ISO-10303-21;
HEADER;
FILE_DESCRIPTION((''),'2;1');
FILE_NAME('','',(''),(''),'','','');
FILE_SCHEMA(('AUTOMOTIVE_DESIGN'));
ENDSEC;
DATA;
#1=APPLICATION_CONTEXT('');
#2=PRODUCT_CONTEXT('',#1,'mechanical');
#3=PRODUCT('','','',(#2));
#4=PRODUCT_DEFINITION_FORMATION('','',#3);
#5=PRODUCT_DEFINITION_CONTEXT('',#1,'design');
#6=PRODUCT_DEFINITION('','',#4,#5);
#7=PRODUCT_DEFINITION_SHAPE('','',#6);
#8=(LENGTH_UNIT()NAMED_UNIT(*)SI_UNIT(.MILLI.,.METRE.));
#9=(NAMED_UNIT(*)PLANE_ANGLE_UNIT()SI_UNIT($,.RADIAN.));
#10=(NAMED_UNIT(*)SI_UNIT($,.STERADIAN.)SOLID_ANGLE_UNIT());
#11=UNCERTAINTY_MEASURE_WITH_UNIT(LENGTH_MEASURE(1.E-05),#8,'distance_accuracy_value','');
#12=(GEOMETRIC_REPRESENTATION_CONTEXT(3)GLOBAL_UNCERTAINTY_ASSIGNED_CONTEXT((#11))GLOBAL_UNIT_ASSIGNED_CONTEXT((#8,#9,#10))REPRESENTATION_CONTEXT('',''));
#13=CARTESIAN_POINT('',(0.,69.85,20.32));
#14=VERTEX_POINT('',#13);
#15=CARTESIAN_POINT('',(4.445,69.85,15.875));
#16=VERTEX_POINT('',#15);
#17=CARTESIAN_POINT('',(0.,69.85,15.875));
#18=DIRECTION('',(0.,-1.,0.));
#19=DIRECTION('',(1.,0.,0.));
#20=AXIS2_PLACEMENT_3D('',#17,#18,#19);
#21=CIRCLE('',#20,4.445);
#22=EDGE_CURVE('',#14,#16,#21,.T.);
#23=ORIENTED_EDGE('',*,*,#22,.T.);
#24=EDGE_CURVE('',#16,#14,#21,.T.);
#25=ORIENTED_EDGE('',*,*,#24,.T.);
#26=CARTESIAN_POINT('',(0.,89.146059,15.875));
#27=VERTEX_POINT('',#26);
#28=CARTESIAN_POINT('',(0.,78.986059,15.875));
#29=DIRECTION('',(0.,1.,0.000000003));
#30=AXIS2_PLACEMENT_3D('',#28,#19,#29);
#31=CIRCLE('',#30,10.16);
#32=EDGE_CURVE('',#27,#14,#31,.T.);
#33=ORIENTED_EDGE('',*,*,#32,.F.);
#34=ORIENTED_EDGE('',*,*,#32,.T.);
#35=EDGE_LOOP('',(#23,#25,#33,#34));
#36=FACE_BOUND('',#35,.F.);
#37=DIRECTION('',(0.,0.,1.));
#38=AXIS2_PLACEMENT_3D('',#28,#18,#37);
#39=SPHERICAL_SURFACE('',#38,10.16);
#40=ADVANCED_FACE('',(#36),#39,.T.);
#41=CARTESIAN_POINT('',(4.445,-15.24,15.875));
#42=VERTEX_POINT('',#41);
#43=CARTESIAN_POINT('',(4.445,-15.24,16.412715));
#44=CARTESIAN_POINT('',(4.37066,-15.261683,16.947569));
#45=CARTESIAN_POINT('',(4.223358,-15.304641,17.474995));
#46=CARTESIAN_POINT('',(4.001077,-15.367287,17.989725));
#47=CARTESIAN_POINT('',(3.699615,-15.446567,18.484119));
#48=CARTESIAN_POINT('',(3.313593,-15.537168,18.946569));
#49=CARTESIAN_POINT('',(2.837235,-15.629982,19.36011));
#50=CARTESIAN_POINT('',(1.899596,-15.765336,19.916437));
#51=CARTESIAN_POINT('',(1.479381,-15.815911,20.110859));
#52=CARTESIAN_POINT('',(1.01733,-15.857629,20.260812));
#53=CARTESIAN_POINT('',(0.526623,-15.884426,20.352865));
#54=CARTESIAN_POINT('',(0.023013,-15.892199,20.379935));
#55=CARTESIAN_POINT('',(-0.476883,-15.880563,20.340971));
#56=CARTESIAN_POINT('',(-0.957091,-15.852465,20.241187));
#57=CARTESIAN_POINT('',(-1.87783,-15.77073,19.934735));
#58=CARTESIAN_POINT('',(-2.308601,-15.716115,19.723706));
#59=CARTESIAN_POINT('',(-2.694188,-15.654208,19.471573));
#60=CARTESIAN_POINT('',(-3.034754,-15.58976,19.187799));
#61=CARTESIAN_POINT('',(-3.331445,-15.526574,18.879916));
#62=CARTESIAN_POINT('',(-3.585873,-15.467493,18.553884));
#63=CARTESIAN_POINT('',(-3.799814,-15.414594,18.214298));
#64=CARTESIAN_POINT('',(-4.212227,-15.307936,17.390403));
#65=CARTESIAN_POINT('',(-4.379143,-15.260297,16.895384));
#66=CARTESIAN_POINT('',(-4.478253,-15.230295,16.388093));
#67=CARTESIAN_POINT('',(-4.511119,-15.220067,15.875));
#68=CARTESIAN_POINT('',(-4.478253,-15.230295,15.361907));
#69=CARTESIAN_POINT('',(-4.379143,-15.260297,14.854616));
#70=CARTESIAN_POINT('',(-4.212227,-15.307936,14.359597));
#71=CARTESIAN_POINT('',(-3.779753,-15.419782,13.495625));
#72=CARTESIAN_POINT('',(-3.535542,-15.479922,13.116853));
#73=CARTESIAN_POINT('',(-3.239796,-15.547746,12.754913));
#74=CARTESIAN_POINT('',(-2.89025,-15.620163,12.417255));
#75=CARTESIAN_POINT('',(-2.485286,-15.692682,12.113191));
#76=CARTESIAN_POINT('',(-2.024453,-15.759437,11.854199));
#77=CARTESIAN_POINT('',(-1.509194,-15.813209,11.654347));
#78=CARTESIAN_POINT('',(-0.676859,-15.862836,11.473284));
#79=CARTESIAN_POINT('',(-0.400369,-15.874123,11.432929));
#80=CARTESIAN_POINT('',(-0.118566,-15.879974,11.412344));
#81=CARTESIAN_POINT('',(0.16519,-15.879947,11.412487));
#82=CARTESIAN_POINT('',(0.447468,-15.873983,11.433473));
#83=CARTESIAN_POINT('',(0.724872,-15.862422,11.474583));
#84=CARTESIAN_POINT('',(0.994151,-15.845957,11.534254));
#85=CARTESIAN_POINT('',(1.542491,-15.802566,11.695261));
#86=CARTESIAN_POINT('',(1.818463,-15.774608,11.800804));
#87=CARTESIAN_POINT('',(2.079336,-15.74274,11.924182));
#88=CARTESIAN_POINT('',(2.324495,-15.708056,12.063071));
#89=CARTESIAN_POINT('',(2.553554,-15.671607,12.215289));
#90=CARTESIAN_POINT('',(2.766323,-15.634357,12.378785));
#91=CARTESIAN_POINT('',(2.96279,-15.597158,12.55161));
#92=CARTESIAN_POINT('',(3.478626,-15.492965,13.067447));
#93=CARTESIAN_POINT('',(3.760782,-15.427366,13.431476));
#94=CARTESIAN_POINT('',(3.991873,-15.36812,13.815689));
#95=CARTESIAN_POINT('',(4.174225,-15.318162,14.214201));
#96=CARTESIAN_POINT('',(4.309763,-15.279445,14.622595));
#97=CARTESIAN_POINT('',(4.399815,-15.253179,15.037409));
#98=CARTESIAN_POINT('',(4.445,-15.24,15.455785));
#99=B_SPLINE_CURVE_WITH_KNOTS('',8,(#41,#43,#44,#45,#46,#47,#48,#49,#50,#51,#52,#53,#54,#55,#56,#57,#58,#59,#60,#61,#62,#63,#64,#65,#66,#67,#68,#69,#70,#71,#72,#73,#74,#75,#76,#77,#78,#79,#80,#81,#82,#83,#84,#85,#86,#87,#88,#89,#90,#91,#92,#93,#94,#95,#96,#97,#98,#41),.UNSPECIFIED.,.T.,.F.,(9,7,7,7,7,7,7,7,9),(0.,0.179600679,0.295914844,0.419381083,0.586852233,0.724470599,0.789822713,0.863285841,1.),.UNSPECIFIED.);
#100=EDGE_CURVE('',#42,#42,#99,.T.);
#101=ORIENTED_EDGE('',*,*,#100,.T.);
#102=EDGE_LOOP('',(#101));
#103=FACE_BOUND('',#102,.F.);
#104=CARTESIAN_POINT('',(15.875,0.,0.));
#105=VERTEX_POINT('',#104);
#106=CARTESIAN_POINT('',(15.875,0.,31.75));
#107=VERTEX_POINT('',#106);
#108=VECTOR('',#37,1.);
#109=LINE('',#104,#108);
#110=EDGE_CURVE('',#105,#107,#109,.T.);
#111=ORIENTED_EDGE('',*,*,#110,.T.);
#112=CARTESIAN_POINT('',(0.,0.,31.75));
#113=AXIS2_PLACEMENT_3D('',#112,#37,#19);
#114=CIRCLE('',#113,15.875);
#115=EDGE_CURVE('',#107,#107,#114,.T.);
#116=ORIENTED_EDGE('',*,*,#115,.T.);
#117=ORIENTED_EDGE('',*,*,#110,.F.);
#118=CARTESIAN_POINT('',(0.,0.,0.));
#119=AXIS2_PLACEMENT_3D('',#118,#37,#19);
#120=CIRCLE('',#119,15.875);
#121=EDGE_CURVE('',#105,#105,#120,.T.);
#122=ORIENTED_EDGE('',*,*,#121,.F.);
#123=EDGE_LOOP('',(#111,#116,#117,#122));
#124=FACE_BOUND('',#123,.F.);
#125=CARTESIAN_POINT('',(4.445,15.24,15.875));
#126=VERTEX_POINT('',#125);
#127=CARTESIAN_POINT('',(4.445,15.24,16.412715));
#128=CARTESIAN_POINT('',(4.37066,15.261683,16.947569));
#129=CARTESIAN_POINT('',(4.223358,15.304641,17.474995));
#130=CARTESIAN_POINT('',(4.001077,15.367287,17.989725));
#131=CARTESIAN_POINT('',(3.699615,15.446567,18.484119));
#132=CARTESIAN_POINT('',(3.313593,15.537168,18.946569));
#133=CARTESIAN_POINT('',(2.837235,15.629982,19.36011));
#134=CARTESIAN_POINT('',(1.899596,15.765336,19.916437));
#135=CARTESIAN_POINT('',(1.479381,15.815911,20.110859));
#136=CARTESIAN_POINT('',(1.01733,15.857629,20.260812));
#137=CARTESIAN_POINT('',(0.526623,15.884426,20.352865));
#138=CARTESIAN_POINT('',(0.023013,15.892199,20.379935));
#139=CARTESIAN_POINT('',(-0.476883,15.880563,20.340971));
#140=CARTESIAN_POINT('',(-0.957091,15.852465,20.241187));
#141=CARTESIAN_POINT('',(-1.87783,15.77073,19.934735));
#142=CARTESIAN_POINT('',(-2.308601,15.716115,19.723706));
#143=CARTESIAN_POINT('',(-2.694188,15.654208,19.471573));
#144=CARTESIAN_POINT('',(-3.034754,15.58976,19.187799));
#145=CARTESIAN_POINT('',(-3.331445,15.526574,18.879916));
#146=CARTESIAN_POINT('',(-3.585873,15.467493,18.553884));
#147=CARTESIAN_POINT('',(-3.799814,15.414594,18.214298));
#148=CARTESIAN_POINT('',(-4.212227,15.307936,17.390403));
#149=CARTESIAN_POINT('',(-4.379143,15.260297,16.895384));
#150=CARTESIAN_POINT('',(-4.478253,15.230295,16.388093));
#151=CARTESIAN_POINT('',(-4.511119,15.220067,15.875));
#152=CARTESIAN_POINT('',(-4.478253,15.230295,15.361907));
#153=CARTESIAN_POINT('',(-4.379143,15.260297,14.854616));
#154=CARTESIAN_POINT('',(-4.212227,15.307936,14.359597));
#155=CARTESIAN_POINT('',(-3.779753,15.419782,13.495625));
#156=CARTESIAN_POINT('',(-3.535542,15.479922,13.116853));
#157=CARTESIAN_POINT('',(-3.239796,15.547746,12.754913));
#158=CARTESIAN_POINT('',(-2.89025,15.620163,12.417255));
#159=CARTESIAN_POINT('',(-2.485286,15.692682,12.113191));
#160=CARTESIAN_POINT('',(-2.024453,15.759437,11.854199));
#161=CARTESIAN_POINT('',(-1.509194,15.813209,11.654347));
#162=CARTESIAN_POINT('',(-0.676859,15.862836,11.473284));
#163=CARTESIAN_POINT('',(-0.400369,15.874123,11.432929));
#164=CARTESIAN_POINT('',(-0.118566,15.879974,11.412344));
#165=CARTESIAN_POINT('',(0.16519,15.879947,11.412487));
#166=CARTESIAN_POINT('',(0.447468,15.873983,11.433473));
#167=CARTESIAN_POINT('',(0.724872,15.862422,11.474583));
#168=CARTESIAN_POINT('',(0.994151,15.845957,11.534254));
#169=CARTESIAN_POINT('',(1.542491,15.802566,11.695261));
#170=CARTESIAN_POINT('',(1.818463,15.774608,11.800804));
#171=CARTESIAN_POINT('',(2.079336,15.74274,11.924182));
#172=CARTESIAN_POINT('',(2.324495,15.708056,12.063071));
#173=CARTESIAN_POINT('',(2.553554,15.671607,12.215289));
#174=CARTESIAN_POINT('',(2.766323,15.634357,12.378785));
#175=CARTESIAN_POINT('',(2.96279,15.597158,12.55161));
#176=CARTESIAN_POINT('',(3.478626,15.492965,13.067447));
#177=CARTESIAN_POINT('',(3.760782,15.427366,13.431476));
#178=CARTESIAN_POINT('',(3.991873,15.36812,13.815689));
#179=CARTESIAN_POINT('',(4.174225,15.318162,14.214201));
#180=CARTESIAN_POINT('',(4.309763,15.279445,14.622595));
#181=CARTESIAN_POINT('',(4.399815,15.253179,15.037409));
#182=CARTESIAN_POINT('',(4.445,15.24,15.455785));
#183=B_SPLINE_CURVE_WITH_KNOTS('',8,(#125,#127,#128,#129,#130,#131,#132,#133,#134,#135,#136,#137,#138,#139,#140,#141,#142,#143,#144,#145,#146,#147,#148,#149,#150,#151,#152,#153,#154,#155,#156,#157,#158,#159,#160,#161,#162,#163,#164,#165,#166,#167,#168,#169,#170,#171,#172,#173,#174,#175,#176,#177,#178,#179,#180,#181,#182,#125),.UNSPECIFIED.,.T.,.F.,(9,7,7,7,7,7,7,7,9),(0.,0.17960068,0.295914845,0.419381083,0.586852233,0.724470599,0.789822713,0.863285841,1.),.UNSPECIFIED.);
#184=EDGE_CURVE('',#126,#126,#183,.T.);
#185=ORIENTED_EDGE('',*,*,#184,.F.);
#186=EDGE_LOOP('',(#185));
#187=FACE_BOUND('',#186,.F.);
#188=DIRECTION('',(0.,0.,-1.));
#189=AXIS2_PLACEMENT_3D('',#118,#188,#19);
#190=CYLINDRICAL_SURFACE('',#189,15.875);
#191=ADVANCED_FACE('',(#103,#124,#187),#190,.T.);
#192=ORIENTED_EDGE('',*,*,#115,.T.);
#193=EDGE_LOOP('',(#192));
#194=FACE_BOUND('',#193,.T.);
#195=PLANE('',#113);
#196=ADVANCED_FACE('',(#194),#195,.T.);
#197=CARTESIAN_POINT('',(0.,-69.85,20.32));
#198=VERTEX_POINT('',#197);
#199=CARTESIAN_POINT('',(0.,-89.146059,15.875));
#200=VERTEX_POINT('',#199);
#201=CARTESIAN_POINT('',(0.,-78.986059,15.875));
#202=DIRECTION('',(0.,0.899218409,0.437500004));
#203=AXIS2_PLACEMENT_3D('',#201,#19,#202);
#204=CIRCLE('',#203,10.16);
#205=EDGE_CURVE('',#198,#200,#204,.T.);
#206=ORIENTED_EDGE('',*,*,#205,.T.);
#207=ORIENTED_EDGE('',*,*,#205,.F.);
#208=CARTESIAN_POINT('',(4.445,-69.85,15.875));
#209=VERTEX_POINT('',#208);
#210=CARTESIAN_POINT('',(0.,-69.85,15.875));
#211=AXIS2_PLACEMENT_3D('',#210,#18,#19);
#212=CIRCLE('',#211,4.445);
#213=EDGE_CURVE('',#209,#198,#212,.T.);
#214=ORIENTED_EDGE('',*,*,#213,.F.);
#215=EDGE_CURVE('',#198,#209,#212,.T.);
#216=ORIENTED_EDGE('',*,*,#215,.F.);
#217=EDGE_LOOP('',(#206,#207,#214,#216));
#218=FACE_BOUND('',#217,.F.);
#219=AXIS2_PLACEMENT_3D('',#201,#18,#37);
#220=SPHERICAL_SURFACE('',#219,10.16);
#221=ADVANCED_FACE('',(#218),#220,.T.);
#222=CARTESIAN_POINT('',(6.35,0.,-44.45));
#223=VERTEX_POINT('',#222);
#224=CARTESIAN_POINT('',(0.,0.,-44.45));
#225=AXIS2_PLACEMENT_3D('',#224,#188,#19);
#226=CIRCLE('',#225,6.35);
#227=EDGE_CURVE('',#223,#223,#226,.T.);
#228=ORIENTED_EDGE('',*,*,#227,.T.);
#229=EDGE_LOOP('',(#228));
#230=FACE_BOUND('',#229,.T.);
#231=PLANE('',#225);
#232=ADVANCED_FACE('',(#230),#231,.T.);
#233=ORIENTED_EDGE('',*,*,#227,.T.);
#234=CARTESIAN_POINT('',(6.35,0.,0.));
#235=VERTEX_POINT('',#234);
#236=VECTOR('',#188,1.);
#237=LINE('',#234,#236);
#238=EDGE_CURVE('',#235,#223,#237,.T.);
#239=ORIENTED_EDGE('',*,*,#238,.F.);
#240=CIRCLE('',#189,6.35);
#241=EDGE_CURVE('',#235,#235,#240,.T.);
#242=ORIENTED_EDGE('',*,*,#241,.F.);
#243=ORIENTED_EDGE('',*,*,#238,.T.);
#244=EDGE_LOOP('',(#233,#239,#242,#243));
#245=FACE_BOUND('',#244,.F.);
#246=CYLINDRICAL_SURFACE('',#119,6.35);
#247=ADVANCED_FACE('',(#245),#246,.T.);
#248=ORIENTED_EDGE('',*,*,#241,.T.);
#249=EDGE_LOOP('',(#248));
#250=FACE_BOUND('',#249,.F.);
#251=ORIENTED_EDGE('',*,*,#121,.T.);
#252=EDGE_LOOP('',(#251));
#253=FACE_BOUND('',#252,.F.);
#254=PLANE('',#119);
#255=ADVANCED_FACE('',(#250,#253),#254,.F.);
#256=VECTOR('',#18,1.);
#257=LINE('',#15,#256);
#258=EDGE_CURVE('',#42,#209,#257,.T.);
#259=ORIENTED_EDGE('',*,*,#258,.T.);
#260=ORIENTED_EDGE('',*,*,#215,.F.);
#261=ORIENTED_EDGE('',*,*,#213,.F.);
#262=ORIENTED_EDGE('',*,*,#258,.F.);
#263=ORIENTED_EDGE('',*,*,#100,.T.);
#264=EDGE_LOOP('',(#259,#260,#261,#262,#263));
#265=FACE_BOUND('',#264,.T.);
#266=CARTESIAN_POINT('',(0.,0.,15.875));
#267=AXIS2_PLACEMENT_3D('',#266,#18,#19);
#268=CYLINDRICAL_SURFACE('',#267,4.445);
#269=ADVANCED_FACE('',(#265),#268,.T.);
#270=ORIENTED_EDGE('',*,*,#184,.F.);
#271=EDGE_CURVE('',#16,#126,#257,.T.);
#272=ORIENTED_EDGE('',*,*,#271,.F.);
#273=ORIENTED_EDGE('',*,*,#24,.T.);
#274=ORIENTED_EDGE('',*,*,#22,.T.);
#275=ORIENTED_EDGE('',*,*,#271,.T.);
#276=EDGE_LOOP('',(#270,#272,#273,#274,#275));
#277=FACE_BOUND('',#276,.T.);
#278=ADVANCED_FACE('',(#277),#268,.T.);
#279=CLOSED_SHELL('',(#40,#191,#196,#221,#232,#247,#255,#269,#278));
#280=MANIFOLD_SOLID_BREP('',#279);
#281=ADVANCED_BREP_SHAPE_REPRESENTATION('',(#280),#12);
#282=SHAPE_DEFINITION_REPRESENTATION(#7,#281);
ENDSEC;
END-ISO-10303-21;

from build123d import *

# Parameters (mm, degrees)
F0_R     = 15.875
F1_DEPTH = 31.75
F2_R     = 6.35
F3_DEPTH = 44.45
F4_R     = 4.445
F5_DEPTH = 69.85


with BuildPart() as f1:
    # F0 (on Top) → F1 (new body)
    with BuildSketch(Plane.XY):
        Circle(F0_R)
    extrude(amount=F1_DEPTH)

    # F2 (on face) → F3 (join)
    with BuildSketch(Plane(origin=(0, 0, 0), x_dir=(1, 0, 0), z_dir=(0, 0, -1))):
        Circle(F2_R)
    extrude(amount=F3_DEPTH)

    # F4 (on Front) → F5 (join, symmetric)
    with BuildSketch(Plane.XZ):
        with Locations((0, 15.875)):
            Circle(F4_R)
    extrude(amount=F5_DEPTH, both=True)

    # F6 (on Right) → F7 (revolve)
    with BuildSketch(Plane.YZ):
        with BuildLine():
            Line((69.85, 20.32), (69.85, 15.875))
            Line((69.85, 15.875), (89.146059, 15.875))
            ThreePointArc((89.146059, 15.875), (81.266765, 25.775706), (69.85, 20.32))
        make_face()
        with BuildLine():
            ThreePointArc((-69.85, 20.32), (-81.266765, 25.775706), (-89.146059, 15.875))
            Line((-89.146059, 15.875), (-69.85, 15.875))
            Line((-69.85, 15.875), (-69.85, 20.32))
        make_face()
    revolve(axis=Axis((0, 79.49803, 15.875), (0, 1, 0)))


solid = f1.part
